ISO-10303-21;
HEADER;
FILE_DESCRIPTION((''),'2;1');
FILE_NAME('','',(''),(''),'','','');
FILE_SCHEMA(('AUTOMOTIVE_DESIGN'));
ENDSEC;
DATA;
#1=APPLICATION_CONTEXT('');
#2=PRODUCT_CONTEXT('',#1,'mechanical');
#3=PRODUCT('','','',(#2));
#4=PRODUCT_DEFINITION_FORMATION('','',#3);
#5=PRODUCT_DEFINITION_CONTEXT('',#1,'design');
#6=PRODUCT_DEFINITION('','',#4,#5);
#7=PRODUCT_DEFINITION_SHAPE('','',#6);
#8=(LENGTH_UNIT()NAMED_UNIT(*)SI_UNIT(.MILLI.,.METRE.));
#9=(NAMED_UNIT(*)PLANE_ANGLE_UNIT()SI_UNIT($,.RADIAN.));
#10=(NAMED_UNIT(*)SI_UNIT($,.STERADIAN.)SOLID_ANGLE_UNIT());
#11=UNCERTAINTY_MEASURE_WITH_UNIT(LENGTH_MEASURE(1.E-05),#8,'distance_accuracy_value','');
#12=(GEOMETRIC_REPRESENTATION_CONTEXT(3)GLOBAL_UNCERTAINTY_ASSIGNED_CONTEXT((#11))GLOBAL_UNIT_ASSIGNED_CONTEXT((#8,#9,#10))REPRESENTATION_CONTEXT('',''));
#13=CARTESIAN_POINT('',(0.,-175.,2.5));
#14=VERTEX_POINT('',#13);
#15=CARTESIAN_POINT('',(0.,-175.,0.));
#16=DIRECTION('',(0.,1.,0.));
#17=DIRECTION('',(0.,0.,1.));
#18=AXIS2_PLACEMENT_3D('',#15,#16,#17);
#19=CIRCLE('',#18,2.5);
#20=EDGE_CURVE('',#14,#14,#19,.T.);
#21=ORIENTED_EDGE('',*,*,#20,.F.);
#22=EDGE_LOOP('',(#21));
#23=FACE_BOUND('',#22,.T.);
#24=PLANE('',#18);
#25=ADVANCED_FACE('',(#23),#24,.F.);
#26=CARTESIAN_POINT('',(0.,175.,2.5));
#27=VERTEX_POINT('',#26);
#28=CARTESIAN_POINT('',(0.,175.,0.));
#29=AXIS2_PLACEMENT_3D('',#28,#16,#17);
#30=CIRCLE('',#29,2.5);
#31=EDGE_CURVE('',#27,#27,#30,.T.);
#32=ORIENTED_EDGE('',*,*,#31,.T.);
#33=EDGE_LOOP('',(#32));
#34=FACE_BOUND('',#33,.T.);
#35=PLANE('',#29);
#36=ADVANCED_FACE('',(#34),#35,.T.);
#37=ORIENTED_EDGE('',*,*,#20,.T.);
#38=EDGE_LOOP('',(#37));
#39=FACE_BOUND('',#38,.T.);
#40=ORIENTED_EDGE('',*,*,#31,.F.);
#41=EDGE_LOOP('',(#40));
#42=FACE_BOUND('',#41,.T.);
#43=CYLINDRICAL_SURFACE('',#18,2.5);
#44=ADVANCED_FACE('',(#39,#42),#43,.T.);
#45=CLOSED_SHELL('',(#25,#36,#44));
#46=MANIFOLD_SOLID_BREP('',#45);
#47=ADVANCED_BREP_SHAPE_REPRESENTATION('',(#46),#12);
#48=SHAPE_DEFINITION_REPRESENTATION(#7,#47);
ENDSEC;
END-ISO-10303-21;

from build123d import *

# Parameters (mm, degrees)
BOSS_EXTRUDE1_DEPTH      = 175
BOSS_EXTRUDE1_DEPTH_BACK = 175
SKETCH1_R                = 2.5


with BuildPart() as part:
    # Sketch1 → Boss-Extrude1 (new, two sides: drawn at the far end of the back side and taken through both)
    with BuildSketch(Plane(origin=(0, 0, 0), x_dir=(1, 0, 0), z_dir=(0, 1, 0)).offset(-BOSS_EXTRUDE1_DEPTH_BACK)):
        Circle(SKETCH1_R)
    extrude(amount=BOSS_EXTRUDE1_DEPTH + BOSS_EXTRUDE1_DEPTH_BACK)


solid = part.part
